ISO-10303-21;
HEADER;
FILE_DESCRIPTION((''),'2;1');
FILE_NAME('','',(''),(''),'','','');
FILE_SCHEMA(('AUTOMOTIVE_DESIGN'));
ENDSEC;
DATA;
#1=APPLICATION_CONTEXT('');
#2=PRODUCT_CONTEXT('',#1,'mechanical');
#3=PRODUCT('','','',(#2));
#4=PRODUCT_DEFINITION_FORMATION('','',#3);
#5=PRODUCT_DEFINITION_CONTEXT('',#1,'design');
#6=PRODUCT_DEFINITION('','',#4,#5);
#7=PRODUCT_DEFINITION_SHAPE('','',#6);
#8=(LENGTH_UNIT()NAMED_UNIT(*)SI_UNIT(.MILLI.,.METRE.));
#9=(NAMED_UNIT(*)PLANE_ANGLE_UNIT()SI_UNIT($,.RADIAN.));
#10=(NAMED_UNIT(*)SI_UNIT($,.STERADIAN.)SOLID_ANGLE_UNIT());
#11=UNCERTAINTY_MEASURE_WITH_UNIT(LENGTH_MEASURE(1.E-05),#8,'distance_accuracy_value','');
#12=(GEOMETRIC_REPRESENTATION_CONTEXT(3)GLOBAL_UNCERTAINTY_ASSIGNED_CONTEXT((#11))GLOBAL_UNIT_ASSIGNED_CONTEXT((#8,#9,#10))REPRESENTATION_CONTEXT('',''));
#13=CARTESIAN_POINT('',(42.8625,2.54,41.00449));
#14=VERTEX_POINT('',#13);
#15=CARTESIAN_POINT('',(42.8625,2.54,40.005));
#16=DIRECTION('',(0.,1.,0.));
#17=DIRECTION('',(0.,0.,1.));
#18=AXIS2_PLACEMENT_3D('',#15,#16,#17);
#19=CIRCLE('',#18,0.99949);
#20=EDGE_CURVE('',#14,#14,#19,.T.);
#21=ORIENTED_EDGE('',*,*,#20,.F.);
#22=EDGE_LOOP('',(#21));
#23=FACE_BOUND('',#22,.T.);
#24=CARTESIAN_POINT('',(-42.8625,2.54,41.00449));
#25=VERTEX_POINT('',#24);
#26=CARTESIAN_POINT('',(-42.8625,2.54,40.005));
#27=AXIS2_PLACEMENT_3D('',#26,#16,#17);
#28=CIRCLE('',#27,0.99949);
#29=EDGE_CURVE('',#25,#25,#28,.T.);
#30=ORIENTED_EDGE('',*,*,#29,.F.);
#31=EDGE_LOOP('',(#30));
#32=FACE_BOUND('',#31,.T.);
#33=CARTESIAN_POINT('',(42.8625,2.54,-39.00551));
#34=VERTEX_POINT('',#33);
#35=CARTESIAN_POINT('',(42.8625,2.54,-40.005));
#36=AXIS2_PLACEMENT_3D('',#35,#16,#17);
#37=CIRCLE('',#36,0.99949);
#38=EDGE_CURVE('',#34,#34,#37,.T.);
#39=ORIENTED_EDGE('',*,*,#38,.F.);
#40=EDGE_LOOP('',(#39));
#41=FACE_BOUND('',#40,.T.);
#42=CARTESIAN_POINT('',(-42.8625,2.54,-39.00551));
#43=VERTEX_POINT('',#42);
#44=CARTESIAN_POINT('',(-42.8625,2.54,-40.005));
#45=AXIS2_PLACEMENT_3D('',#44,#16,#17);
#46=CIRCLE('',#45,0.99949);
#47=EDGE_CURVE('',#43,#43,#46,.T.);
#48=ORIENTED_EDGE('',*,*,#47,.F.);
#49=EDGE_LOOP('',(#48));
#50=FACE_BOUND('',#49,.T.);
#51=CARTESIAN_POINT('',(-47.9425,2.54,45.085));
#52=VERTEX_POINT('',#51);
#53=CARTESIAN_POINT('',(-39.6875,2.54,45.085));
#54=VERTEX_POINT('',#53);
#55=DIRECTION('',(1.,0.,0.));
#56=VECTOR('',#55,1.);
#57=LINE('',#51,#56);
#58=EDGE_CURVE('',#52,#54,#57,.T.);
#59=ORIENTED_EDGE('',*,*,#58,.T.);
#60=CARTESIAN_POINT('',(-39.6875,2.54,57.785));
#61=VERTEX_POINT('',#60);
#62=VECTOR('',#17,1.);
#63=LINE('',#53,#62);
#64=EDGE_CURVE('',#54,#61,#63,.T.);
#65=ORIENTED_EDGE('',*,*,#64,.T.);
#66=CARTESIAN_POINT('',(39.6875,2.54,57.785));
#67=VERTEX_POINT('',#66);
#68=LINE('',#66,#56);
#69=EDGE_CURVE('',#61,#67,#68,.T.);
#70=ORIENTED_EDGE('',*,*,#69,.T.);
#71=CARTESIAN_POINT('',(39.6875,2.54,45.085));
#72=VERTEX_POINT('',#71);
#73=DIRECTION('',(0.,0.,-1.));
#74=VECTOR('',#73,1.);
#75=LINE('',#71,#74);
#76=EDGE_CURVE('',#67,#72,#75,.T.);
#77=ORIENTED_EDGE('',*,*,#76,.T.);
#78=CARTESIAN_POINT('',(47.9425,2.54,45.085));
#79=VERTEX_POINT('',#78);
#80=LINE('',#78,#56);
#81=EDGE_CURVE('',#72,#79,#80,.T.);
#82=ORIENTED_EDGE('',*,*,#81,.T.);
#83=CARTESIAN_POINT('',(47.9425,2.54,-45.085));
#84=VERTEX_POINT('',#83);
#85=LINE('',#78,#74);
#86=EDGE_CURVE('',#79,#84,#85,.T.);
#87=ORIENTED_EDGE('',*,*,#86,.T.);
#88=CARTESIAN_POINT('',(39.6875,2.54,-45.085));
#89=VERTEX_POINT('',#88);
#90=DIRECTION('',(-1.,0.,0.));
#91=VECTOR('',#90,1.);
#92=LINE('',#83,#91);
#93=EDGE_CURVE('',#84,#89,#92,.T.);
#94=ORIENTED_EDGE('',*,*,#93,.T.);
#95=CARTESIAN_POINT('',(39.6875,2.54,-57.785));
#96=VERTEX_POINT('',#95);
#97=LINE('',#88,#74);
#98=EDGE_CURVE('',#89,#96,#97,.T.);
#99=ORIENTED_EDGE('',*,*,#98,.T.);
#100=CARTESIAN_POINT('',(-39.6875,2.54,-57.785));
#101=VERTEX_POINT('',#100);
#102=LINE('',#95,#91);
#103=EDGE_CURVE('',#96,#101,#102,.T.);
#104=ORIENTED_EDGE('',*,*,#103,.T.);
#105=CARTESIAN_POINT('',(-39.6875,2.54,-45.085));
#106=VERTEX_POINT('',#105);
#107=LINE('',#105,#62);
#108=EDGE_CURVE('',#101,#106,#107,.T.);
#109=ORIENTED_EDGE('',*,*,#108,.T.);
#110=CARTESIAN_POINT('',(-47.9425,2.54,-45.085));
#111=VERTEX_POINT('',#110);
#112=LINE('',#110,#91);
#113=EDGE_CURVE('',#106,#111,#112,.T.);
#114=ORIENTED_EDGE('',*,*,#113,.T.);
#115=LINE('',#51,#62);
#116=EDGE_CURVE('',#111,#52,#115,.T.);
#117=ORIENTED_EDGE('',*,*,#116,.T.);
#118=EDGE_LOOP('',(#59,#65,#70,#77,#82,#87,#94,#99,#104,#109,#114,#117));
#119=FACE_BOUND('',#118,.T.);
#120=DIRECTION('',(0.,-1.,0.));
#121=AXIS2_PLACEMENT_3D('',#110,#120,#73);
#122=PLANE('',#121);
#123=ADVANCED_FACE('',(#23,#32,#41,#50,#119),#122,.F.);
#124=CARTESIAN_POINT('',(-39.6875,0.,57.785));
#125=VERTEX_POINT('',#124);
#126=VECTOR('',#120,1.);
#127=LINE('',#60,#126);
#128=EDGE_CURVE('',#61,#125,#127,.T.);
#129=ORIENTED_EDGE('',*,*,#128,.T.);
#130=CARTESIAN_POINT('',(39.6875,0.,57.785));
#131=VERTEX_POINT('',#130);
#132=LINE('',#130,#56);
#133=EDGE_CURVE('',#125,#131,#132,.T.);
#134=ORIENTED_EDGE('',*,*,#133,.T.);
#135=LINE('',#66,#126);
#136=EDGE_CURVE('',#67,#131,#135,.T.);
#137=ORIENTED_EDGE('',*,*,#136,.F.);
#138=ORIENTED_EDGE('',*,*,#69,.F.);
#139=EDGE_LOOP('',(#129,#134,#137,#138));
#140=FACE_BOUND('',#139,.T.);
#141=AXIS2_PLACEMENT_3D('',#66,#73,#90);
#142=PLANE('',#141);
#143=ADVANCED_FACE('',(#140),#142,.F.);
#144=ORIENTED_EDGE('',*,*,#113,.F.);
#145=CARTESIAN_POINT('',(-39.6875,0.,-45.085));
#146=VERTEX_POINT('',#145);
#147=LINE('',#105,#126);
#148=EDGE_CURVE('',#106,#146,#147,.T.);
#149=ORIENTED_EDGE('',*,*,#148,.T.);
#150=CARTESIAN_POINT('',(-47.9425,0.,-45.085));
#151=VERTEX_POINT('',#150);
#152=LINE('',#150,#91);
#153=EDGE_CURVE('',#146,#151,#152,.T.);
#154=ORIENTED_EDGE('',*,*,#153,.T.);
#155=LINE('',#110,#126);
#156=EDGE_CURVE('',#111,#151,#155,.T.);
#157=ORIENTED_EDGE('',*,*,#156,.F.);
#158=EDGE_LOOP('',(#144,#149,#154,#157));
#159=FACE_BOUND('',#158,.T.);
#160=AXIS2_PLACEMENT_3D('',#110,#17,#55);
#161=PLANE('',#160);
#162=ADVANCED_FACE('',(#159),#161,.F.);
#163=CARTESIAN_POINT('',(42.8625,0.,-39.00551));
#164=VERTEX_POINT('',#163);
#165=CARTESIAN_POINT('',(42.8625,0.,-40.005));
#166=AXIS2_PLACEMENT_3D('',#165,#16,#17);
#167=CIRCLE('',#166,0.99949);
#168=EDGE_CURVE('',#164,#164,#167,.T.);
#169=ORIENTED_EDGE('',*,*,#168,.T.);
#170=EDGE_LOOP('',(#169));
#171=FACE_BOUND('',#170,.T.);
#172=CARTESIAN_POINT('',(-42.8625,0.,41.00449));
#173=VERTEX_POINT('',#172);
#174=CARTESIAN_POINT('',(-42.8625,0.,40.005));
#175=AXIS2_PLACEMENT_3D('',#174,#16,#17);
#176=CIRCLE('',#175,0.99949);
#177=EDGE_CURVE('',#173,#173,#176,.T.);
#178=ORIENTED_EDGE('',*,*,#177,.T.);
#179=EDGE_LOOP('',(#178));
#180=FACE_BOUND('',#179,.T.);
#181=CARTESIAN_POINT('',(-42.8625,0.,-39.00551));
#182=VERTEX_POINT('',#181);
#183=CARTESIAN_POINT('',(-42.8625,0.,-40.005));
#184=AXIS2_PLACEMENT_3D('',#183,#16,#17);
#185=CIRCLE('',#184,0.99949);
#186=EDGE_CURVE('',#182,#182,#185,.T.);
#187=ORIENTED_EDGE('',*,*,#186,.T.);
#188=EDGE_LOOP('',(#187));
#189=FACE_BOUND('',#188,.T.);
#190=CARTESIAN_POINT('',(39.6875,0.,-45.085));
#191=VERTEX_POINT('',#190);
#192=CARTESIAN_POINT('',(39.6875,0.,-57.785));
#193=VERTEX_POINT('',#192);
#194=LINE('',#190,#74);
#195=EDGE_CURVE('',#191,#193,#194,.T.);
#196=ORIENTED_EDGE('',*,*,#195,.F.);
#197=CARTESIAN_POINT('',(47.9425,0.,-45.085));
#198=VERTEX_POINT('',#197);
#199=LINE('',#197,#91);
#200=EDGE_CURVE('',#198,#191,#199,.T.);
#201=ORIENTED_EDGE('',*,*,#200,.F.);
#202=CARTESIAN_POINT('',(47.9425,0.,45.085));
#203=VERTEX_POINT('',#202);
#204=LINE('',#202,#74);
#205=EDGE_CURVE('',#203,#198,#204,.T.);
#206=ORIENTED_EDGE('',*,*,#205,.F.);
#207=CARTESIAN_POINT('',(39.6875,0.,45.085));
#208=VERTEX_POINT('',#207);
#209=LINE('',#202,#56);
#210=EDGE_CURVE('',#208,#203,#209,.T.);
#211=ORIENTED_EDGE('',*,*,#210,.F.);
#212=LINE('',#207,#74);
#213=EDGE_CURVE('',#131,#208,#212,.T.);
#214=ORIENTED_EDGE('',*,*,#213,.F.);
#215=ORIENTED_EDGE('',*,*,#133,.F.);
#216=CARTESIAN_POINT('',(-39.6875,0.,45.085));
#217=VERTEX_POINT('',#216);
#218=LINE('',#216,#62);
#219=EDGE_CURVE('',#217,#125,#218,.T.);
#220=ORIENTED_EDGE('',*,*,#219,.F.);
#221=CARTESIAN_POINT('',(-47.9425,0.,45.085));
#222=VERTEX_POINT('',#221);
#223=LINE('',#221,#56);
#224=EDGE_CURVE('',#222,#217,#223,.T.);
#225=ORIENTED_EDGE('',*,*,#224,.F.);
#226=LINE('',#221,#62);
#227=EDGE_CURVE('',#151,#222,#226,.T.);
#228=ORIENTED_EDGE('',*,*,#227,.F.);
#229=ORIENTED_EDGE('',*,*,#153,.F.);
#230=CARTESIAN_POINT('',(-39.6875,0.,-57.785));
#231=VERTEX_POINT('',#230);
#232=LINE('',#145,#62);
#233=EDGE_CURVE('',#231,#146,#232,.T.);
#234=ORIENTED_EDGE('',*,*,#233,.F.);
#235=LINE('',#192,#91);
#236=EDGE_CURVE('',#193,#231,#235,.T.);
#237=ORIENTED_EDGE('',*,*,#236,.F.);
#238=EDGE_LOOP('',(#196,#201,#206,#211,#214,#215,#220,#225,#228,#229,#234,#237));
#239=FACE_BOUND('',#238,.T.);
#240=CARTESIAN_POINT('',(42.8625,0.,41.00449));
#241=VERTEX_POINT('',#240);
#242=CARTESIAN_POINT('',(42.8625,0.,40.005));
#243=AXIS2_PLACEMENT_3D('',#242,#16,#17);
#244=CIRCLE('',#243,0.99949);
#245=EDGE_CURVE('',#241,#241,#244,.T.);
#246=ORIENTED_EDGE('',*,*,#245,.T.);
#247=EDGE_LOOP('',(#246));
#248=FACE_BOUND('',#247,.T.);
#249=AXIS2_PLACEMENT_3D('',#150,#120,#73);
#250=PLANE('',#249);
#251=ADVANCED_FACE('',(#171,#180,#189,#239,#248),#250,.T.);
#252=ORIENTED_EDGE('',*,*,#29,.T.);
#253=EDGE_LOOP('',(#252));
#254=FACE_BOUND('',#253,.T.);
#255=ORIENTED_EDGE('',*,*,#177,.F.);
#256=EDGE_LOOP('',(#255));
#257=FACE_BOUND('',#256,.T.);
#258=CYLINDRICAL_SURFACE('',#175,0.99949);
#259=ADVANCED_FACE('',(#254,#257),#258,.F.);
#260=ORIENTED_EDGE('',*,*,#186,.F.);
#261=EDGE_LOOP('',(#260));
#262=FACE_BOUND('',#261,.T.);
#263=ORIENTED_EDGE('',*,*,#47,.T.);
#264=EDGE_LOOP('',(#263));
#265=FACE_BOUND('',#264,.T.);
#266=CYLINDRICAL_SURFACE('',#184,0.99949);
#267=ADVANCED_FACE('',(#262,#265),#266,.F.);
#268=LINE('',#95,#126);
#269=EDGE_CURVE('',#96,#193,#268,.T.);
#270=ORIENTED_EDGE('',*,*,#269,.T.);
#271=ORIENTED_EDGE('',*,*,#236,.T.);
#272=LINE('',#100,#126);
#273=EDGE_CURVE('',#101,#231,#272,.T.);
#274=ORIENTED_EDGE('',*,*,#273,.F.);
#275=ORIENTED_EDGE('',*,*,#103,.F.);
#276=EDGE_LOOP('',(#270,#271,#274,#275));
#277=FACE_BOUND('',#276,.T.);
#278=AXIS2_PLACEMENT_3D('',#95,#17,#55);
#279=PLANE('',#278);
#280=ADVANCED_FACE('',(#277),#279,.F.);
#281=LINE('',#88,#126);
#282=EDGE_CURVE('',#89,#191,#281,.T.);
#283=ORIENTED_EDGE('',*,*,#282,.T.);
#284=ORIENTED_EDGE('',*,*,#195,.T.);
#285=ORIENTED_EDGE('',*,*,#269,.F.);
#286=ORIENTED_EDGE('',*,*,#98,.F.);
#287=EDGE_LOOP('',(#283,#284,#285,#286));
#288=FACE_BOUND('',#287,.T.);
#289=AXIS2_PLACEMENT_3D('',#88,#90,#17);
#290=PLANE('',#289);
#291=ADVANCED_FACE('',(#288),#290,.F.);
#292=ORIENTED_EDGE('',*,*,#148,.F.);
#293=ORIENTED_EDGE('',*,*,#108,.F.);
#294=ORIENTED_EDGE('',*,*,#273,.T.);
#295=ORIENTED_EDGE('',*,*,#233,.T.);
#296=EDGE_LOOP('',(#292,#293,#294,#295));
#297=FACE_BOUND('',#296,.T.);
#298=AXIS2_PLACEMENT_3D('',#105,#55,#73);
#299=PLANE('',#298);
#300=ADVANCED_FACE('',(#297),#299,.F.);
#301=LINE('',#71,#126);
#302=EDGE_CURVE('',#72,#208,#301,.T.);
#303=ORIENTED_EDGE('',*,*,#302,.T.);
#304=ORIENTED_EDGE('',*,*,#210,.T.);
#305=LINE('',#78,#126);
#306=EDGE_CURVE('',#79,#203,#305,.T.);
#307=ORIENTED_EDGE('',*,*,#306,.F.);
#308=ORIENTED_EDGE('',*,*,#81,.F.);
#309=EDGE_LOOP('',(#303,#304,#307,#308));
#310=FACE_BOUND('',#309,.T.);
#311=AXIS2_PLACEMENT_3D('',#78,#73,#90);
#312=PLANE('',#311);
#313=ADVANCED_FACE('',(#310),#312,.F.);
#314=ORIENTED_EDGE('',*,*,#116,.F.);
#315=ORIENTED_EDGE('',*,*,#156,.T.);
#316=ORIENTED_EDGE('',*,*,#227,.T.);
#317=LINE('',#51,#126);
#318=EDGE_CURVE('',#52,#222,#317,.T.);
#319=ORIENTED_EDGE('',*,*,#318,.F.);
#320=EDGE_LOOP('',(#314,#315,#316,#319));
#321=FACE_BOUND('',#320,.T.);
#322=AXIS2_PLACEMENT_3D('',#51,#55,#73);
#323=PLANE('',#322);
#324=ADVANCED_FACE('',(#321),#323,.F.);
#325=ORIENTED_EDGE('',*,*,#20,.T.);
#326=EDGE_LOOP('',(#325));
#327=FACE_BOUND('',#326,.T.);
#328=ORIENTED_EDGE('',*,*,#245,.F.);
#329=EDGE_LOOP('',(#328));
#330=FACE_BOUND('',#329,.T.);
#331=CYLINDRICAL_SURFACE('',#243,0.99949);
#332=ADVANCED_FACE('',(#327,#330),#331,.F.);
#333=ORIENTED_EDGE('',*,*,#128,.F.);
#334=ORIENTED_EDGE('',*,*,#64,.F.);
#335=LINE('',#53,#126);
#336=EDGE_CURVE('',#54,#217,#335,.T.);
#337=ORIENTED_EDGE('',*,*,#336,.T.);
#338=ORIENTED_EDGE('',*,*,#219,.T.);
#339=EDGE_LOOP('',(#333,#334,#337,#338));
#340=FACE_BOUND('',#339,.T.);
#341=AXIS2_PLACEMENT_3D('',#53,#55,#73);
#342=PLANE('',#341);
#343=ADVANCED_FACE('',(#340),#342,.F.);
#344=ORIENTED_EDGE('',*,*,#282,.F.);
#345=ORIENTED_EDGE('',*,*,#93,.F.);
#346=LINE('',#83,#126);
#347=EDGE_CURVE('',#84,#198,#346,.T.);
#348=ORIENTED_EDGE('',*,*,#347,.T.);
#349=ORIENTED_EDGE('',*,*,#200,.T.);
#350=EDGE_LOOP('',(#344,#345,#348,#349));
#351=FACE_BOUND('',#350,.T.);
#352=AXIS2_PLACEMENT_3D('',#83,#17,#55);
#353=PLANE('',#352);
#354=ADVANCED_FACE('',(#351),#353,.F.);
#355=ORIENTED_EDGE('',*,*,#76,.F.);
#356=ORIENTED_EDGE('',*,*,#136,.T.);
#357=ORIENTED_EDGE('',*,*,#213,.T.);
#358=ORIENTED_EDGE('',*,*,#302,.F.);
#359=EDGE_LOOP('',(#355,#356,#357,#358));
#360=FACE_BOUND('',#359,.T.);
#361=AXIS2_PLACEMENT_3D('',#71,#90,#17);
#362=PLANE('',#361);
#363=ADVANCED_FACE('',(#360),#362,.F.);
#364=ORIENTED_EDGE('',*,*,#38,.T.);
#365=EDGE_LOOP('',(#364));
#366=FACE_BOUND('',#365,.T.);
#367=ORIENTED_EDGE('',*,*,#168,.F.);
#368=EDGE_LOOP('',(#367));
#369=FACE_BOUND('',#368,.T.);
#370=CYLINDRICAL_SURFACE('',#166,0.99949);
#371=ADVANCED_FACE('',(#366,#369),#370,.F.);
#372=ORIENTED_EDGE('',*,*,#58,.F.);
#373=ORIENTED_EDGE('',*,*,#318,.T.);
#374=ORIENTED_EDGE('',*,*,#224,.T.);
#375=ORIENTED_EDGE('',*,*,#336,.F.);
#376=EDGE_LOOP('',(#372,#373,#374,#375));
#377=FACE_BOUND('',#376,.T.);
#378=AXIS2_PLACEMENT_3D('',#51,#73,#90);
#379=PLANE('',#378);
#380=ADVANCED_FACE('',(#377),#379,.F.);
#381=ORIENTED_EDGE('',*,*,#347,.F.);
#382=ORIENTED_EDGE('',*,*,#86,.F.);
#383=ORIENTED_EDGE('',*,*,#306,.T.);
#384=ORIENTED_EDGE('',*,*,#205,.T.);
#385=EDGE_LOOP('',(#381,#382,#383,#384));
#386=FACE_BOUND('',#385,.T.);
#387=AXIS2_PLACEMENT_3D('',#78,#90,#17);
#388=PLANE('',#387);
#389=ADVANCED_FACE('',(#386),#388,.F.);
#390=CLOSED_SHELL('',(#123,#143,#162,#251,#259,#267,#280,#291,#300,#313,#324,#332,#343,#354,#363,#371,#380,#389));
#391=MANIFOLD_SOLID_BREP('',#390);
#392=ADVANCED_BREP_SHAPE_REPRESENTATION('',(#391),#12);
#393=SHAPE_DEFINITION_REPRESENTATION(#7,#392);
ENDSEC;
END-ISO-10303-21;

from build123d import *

# Parameters (mm, degrees)
BOSS_EXTRUDE1_DEPTH = 2.54
SKETCH5_R           = 0.99949
CUT_EXTRUDE2_DEPTH  = 3.54


with BuildPart() as part:
    # Sketch1 → Boss-Extrude1 (new body)
    with BuildSketch(Plane(origin=(0, 0, 0), x_dir=(1, 0, 0), z_dir=(0, 1, 0))):
        Polygon((-47.9425, 45.085), (-39.6875, 45.085), (-39.6875, 57.785), (39.6875, 57.785), (39.6875, 45.085), (47.9425, 45.085), (47.9425, -45.085), (39.6875, -45.085), (39.6875, -57.785), (-39.6875, -57.785), (-39.6875, -45.085), (-47.9425, -45.085), align=None)
    extrude(amount=BOSS_EXTRUDE1_DEPTH)

    # Sketch5 → Cut-Extrude2 (cut, through all)
    with BuildSketch(Plane(origin=(0, 2.54, 0), x_dir=(1, 0, 0), z_dir=(0, 1, 0))):
        with Locations((42.8625, -40.005)):
            Circle(SKETCH5_R)
        with Locations((42.8625, 40.005)):
            Circle(SKETCH5_R)
        with Locations((-42.8625, -40.005)):
            Circle(SKETCH5_R)
        with Locations((-42.8625, 40.005)):
            Circle(SKETCH5_R)
    extrude(amount=-CUT_EXTRUDE2_DEPTH, mode=Mode.SUBTRACT)


solid = part.part
